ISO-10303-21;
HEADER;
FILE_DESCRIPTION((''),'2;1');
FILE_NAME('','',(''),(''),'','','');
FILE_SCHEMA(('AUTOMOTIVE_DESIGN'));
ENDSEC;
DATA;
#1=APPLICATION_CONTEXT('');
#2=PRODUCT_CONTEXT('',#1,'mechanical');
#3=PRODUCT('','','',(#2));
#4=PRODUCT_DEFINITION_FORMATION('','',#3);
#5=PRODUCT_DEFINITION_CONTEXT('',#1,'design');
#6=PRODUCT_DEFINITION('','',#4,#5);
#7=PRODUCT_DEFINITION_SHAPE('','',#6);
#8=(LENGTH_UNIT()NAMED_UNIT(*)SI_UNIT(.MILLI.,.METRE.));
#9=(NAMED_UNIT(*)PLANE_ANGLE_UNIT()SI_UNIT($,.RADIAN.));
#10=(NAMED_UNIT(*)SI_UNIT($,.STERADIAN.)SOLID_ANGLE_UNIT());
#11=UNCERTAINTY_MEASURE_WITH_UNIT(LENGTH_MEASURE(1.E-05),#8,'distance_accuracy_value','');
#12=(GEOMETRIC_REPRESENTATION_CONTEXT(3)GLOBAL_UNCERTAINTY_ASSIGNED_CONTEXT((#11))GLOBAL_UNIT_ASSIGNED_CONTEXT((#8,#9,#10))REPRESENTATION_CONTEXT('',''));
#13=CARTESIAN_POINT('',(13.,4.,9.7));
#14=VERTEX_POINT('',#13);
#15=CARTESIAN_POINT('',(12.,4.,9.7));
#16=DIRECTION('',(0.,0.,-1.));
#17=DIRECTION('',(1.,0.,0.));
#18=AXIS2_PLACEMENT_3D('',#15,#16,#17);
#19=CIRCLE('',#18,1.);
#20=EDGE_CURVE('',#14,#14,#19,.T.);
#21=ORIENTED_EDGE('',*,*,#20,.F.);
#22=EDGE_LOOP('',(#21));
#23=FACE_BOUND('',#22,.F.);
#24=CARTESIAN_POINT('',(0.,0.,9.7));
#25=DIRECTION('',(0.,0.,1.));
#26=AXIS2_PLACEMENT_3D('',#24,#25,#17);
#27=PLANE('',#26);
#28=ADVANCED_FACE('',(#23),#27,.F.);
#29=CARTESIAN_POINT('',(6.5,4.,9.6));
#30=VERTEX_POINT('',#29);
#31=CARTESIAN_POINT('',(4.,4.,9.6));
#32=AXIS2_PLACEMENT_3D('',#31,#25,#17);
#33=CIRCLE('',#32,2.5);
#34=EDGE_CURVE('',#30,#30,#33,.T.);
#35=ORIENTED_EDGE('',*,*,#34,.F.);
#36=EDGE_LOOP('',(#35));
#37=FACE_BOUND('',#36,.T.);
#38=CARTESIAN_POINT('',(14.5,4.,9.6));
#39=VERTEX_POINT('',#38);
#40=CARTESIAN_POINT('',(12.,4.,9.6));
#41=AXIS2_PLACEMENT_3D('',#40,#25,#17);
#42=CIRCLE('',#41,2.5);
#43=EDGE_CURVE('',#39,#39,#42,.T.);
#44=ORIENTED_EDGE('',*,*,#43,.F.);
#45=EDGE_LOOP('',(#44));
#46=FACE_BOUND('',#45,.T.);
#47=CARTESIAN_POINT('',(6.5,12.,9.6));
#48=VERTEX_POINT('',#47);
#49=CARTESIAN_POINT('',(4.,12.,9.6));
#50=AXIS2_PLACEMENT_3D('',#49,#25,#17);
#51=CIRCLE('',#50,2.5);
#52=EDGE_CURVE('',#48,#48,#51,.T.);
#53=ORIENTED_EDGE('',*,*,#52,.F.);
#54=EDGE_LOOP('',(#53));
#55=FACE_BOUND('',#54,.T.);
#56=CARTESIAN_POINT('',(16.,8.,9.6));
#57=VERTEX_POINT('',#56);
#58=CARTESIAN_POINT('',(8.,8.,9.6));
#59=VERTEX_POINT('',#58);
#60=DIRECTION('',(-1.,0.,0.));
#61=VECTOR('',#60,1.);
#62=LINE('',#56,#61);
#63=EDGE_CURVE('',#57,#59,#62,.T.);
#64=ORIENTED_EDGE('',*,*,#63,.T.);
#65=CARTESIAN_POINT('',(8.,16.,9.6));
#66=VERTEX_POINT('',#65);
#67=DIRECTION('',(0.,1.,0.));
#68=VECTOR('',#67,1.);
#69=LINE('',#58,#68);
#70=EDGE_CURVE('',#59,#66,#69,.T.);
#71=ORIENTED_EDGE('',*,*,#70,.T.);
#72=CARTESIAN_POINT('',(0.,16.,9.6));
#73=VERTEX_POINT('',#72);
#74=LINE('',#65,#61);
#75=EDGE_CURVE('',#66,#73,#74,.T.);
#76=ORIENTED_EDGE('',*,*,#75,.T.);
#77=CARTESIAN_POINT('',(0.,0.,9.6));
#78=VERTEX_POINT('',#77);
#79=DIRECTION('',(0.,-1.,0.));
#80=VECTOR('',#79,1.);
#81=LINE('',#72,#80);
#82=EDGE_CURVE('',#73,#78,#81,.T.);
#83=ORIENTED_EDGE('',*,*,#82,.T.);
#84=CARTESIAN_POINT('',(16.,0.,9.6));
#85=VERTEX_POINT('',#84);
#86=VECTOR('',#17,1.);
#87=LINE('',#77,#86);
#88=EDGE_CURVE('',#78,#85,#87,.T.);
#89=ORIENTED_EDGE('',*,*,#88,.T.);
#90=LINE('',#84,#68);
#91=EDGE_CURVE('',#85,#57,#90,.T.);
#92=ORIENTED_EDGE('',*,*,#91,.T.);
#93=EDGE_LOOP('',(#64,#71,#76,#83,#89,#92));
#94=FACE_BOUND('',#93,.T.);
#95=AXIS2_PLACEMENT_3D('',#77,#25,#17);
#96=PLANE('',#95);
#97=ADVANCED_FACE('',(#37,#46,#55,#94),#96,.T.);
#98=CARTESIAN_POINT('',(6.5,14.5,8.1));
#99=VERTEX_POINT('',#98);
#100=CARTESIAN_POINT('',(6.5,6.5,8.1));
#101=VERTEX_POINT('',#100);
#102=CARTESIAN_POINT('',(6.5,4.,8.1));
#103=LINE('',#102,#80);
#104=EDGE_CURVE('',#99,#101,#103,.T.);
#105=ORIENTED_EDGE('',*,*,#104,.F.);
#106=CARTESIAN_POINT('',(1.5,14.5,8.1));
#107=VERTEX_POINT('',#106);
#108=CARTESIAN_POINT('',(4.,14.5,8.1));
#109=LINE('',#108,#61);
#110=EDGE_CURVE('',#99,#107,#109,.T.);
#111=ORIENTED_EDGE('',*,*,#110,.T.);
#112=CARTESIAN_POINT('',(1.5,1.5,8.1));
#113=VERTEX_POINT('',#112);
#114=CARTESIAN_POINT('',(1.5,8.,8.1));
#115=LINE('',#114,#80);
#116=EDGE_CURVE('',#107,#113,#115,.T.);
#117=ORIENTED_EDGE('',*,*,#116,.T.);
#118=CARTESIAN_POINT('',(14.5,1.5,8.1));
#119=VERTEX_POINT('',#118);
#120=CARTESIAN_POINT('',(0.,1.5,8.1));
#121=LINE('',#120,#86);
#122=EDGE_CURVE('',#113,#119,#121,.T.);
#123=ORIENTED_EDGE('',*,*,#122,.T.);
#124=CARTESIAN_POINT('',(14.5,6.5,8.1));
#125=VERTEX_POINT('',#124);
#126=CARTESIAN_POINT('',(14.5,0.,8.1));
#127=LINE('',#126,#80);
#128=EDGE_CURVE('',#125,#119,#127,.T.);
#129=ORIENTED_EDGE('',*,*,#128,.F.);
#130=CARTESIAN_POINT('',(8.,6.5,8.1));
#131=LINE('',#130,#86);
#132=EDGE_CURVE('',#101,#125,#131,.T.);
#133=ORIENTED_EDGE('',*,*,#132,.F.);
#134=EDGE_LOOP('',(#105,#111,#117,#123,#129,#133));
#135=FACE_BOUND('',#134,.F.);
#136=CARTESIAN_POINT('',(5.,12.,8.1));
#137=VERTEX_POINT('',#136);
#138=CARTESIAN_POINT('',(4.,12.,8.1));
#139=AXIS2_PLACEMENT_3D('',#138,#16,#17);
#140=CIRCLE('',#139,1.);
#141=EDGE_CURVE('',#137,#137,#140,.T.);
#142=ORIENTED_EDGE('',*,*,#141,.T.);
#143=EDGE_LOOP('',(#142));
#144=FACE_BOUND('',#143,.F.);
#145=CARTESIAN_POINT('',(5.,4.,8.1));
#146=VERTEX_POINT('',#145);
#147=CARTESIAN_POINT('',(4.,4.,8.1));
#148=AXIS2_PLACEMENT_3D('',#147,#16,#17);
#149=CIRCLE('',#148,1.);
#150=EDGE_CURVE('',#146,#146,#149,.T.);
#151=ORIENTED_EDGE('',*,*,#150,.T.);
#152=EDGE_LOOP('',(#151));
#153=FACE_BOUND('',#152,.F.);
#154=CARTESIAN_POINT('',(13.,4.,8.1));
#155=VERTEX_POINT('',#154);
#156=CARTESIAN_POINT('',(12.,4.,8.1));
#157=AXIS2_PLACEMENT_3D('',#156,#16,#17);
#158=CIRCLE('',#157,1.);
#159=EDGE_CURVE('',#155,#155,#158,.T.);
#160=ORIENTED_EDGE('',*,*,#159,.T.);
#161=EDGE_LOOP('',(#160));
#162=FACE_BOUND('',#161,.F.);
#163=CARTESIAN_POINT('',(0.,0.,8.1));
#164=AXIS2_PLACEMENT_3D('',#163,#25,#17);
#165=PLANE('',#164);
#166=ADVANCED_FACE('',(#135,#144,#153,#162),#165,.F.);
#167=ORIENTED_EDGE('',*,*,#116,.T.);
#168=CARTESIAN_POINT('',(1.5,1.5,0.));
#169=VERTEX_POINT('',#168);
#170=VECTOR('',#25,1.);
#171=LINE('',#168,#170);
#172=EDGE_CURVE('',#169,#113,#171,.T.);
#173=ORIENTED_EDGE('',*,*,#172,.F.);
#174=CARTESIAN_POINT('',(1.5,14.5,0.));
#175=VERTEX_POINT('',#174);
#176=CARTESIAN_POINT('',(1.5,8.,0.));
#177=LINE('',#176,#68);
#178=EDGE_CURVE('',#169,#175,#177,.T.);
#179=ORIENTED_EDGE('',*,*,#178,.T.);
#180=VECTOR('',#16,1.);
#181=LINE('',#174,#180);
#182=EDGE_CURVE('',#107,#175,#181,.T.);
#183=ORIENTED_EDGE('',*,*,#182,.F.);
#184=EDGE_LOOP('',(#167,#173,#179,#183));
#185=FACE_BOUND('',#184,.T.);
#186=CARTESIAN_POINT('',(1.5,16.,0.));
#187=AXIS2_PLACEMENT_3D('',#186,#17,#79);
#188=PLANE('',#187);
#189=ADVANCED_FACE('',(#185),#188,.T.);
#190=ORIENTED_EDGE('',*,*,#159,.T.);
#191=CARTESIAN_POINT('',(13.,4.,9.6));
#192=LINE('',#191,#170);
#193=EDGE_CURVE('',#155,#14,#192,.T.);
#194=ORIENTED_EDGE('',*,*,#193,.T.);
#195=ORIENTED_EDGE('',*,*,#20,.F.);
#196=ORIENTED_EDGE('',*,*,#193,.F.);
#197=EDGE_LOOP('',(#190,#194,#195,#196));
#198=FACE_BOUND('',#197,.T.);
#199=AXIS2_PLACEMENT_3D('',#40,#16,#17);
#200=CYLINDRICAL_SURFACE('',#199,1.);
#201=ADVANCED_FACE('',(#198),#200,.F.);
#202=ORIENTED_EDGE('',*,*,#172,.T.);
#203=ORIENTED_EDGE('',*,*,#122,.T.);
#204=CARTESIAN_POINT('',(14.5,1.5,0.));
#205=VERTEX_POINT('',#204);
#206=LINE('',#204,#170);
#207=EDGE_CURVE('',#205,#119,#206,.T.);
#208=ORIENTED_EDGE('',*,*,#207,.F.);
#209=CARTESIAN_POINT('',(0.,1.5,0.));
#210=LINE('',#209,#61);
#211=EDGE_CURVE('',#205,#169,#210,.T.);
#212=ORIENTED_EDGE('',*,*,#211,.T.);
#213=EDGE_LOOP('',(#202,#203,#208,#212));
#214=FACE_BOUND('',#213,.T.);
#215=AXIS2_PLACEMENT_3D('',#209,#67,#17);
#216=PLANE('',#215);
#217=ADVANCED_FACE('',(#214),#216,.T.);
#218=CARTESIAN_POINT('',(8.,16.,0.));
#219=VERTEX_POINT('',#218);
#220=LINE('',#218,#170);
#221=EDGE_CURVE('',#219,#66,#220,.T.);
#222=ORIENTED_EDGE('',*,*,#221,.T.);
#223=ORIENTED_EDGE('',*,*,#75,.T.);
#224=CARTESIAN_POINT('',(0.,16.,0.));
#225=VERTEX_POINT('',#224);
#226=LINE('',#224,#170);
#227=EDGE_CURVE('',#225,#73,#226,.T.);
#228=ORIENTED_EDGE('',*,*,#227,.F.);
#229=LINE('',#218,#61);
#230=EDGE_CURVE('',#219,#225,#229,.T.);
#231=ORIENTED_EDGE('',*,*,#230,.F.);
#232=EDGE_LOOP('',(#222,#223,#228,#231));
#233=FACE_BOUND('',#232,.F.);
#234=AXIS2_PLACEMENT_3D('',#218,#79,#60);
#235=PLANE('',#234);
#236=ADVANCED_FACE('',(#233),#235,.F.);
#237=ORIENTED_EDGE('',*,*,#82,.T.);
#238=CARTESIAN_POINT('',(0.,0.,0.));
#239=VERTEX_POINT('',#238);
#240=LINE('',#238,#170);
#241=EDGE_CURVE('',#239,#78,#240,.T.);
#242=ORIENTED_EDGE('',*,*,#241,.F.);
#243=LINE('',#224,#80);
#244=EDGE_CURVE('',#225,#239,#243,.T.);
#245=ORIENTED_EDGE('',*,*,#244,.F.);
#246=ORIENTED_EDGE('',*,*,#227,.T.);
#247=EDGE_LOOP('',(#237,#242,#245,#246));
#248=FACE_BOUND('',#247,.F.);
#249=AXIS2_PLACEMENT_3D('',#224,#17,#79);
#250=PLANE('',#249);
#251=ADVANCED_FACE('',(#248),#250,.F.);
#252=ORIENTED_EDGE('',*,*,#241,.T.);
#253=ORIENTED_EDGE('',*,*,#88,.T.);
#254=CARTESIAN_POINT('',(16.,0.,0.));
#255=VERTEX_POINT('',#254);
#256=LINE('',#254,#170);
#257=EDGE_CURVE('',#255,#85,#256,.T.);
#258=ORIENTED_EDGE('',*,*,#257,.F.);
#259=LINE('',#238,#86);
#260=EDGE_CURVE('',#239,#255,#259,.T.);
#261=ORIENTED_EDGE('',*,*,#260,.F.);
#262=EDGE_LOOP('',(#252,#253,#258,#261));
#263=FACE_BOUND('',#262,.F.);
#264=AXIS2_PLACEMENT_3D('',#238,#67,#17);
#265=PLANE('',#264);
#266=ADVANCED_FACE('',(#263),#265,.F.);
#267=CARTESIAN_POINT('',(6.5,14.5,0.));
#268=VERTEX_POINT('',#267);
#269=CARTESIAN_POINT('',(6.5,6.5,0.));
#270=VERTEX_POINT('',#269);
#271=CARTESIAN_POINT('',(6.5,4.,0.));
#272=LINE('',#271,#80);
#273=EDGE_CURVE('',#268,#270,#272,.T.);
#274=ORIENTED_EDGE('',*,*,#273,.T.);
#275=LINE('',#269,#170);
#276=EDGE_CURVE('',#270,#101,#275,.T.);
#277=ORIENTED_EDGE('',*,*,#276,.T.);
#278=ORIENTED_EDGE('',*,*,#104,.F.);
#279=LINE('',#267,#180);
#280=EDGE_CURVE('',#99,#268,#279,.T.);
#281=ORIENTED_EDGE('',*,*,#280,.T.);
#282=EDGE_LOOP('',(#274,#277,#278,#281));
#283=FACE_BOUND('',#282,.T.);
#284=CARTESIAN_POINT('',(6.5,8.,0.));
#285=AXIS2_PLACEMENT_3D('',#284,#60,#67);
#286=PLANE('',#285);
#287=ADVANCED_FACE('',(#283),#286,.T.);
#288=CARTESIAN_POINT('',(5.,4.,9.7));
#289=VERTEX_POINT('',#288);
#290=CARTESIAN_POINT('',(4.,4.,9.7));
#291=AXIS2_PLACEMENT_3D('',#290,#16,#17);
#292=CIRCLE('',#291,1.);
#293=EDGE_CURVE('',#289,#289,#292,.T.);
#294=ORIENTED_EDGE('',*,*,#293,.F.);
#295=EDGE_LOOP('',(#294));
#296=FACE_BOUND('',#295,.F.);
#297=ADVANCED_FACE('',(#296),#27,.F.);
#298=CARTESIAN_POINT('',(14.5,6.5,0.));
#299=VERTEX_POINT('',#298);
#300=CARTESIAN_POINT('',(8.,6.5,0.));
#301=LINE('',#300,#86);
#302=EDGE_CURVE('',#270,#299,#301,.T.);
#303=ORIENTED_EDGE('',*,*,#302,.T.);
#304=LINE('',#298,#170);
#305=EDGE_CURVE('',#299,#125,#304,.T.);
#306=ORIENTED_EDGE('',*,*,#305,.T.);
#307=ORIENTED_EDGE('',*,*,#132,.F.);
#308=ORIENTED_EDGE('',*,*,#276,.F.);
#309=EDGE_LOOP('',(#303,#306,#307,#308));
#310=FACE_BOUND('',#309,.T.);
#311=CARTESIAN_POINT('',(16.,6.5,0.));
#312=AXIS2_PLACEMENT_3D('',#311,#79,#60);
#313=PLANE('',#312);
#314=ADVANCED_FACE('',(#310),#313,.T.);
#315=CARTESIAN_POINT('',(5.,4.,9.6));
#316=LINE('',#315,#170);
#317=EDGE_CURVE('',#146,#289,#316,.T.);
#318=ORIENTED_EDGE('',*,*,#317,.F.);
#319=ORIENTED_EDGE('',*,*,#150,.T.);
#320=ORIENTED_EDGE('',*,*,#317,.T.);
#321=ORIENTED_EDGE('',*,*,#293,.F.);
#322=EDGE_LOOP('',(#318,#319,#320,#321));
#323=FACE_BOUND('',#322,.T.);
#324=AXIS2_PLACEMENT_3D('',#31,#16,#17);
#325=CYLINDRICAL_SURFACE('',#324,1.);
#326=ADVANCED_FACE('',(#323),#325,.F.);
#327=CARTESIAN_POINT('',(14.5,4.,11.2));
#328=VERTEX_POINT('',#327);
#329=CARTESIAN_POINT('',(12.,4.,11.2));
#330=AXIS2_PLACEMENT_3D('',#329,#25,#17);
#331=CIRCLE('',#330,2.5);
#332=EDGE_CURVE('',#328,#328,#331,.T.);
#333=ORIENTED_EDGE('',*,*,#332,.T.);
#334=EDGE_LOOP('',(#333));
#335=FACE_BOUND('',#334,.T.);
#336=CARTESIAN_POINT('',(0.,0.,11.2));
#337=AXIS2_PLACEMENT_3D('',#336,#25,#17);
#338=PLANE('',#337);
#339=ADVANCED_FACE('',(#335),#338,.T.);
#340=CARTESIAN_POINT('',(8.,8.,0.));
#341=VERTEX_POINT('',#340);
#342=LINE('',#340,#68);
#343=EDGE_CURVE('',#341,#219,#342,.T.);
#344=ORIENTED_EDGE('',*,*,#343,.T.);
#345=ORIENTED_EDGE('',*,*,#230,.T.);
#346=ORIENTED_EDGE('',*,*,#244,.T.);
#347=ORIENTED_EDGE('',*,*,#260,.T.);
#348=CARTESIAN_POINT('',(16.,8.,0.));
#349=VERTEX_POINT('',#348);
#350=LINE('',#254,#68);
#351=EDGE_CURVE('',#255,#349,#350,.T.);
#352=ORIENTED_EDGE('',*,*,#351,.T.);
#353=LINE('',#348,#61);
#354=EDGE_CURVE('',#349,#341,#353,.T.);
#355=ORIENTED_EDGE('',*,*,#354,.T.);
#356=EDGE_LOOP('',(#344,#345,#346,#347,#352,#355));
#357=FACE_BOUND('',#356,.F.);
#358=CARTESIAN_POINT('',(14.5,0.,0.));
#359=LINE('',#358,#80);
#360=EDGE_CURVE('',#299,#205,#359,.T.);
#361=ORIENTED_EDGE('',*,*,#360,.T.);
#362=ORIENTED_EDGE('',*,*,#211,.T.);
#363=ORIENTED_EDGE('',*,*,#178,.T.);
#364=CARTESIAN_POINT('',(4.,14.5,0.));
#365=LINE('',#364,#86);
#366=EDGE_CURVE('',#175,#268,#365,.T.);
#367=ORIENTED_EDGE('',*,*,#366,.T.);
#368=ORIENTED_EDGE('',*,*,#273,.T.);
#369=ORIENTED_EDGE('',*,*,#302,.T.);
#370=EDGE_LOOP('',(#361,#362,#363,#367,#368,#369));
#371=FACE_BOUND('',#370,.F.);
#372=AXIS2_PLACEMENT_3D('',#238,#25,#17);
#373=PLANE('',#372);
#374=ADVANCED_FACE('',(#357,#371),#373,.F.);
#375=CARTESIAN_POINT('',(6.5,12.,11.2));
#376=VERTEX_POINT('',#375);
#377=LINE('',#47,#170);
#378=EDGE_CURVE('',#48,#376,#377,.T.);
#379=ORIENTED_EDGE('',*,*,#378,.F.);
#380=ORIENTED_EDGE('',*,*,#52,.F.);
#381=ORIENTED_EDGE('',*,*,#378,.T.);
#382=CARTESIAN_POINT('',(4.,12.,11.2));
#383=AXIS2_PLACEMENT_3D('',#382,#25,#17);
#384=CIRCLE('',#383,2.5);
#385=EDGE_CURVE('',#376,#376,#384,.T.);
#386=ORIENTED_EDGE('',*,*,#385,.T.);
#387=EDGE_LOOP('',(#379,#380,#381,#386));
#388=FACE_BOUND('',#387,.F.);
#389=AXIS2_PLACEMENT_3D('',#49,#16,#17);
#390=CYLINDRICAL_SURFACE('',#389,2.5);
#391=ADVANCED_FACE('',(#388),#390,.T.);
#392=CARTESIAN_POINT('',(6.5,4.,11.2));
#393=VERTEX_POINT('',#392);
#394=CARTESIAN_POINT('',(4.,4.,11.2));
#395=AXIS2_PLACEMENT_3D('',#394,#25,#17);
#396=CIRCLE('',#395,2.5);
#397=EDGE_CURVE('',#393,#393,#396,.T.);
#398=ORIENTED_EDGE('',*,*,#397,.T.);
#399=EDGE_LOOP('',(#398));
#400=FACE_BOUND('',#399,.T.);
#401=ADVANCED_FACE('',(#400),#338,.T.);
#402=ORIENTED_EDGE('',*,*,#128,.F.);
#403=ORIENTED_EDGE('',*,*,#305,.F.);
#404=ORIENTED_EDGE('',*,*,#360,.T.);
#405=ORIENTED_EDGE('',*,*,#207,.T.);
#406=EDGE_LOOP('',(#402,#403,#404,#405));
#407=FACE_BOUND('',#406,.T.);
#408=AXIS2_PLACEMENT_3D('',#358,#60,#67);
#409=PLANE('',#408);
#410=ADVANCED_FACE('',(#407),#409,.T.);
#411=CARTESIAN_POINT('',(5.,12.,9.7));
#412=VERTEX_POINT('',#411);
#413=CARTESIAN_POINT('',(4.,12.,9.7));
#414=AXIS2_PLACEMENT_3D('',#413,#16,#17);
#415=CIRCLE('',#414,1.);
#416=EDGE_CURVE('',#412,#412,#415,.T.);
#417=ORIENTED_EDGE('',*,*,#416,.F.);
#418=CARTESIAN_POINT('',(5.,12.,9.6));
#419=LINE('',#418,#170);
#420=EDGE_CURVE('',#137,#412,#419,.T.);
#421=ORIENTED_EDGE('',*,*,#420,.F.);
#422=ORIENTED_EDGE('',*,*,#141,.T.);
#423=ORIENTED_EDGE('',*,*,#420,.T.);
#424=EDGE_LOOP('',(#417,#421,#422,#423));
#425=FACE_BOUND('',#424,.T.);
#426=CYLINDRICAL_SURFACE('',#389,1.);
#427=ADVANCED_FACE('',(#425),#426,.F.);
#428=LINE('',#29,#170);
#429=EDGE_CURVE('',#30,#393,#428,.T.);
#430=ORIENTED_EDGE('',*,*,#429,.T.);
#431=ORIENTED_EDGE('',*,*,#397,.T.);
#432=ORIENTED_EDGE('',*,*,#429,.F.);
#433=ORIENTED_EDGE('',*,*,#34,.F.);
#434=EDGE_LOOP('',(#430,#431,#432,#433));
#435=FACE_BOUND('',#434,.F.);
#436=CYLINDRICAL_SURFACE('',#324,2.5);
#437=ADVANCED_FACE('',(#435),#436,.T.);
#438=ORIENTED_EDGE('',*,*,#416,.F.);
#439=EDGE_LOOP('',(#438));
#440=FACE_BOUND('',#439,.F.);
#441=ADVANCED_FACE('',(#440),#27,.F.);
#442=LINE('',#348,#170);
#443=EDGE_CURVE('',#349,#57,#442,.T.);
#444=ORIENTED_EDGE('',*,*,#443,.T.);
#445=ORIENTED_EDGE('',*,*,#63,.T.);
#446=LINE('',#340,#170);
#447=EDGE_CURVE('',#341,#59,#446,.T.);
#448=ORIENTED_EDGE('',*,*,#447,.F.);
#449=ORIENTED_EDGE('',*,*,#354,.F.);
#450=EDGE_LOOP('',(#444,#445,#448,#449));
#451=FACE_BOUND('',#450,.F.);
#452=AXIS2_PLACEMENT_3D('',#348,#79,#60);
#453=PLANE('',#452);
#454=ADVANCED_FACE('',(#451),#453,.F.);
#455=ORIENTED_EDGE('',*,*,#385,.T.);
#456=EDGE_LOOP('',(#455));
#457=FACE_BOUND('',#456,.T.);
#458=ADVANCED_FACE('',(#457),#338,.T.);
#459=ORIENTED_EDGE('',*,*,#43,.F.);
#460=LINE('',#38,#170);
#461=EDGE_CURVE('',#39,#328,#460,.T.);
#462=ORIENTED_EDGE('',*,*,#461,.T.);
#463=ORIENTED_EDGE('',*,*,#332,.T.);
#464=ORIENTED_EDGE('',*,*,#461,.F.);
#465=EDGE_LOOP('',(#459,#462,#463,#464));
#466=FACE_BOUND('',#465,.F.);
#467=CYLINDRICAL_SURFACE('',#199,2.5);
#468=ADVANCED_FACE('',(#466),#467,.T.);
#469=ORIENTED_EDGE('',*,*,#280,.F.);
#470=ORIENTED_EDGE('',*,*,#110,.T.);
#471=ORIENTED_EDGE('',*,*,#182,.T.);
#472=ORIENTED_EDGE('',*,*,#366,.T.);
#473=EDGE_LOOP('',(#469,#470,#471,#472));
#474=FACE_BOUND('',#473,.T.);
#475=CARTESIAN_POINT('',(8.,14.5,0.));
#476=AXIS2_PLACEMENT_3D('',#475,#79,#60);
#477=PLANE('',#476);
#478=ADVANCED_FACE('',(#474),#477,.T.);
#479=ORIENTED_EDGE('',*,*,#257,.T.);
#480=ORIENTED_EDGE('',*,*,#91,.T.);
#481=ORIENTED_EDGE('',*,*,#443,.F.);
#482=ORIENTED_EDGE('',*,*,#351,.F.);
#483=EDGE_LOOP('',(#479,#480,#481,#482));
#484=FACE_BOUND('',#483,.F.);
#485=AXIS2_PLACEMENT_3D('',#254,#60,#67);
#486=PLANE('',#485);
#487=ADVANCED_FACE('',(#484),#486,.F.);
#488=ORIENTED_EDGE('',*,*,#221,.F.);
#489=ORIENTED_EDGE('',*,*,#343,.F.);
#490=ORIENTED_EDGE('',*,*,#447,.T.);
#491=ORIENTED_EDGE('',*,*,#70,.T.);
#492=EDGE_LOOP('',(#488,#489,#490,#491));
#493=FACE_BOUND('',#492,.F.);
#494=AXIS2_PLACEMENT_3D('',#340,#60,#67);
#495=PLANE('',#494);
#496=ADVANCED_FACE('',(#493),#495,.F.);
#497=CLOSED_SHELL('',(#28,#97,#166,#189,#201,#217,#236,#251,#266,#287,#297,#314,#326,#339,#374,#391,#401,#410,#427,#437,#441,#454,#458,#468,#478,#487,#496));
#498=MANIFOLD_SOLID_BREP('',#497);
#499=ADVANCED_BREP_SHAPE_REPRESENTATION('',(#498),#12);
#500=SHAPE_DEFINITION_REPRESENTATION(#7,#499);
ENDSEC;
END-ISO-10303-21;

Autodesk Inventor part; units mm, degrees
ref_plane "YZ Plane" through (0, 0, 0) normal (1, 0, 0) x (0, 1, 0)
ref_plane "XZ Plane" through (0, 0, 0) normal (0, 1, 0) x (-1, 0, 0)
ref_plane "XY Plane" through (0, 0, 0) normal (0, 0, 1) x (1, 0, 0)
sketch "Sketch1" plane through (0, 0, 0) normal (0, 0, 1) x (1, 0, 0)
  line L0 (0, 0) -> (16, 0)
  line L1 (16, 0) -> (16, 8)
  line L2 (16, 8) -> (8, 8)
  line L3 (8, 8) -> (8, 16)
  line L4 (8, 16) -> (0, 16)
  line L5 (0, 16) -> (0, 0)
  dimension "d0" = 16
  dimension "d1" = 16
  dimension "d2" = 8
  dimension "d3" = 8
extrude "Extrusion1" add sketch "Sketch1" along normal blind 9.6
sketch "Sketch2" plane through (0, 0, 9.6) normal (0, 0, 1) x (1, 0, 0)
  line L0 (16, 8) -> (16, 0) projected
  line L1 (8, 8) -> (16, 8) projected
  line L2 (8, 16) -> (8, 8) projected
  line L3 (0, 16) -> (8, 16) projected
  circle A0 centre (4, 12) radius 2.5
  circle A1 centre (4, 4) radius 2.5
  circle A2 centre (12, 4) radius 2.5
  point P0 (4, 16)
  point P1 (16, 4)
  point P2 (8, 12)
  point P3 (12, 8)
  dimension "d6" = 5
extrude "Extrusion2" add sketch "Sketch2" along normal blind 1.6
shell "Shell1" thickness 1.5 removed faces 1 at (2.6667, 8, 0)
equation "\"d0\" = d1"
equation "\"d2\" = 0.5 * d1"
equation "\"d3\" = d2"
properties part number "2357" material "Steel"
